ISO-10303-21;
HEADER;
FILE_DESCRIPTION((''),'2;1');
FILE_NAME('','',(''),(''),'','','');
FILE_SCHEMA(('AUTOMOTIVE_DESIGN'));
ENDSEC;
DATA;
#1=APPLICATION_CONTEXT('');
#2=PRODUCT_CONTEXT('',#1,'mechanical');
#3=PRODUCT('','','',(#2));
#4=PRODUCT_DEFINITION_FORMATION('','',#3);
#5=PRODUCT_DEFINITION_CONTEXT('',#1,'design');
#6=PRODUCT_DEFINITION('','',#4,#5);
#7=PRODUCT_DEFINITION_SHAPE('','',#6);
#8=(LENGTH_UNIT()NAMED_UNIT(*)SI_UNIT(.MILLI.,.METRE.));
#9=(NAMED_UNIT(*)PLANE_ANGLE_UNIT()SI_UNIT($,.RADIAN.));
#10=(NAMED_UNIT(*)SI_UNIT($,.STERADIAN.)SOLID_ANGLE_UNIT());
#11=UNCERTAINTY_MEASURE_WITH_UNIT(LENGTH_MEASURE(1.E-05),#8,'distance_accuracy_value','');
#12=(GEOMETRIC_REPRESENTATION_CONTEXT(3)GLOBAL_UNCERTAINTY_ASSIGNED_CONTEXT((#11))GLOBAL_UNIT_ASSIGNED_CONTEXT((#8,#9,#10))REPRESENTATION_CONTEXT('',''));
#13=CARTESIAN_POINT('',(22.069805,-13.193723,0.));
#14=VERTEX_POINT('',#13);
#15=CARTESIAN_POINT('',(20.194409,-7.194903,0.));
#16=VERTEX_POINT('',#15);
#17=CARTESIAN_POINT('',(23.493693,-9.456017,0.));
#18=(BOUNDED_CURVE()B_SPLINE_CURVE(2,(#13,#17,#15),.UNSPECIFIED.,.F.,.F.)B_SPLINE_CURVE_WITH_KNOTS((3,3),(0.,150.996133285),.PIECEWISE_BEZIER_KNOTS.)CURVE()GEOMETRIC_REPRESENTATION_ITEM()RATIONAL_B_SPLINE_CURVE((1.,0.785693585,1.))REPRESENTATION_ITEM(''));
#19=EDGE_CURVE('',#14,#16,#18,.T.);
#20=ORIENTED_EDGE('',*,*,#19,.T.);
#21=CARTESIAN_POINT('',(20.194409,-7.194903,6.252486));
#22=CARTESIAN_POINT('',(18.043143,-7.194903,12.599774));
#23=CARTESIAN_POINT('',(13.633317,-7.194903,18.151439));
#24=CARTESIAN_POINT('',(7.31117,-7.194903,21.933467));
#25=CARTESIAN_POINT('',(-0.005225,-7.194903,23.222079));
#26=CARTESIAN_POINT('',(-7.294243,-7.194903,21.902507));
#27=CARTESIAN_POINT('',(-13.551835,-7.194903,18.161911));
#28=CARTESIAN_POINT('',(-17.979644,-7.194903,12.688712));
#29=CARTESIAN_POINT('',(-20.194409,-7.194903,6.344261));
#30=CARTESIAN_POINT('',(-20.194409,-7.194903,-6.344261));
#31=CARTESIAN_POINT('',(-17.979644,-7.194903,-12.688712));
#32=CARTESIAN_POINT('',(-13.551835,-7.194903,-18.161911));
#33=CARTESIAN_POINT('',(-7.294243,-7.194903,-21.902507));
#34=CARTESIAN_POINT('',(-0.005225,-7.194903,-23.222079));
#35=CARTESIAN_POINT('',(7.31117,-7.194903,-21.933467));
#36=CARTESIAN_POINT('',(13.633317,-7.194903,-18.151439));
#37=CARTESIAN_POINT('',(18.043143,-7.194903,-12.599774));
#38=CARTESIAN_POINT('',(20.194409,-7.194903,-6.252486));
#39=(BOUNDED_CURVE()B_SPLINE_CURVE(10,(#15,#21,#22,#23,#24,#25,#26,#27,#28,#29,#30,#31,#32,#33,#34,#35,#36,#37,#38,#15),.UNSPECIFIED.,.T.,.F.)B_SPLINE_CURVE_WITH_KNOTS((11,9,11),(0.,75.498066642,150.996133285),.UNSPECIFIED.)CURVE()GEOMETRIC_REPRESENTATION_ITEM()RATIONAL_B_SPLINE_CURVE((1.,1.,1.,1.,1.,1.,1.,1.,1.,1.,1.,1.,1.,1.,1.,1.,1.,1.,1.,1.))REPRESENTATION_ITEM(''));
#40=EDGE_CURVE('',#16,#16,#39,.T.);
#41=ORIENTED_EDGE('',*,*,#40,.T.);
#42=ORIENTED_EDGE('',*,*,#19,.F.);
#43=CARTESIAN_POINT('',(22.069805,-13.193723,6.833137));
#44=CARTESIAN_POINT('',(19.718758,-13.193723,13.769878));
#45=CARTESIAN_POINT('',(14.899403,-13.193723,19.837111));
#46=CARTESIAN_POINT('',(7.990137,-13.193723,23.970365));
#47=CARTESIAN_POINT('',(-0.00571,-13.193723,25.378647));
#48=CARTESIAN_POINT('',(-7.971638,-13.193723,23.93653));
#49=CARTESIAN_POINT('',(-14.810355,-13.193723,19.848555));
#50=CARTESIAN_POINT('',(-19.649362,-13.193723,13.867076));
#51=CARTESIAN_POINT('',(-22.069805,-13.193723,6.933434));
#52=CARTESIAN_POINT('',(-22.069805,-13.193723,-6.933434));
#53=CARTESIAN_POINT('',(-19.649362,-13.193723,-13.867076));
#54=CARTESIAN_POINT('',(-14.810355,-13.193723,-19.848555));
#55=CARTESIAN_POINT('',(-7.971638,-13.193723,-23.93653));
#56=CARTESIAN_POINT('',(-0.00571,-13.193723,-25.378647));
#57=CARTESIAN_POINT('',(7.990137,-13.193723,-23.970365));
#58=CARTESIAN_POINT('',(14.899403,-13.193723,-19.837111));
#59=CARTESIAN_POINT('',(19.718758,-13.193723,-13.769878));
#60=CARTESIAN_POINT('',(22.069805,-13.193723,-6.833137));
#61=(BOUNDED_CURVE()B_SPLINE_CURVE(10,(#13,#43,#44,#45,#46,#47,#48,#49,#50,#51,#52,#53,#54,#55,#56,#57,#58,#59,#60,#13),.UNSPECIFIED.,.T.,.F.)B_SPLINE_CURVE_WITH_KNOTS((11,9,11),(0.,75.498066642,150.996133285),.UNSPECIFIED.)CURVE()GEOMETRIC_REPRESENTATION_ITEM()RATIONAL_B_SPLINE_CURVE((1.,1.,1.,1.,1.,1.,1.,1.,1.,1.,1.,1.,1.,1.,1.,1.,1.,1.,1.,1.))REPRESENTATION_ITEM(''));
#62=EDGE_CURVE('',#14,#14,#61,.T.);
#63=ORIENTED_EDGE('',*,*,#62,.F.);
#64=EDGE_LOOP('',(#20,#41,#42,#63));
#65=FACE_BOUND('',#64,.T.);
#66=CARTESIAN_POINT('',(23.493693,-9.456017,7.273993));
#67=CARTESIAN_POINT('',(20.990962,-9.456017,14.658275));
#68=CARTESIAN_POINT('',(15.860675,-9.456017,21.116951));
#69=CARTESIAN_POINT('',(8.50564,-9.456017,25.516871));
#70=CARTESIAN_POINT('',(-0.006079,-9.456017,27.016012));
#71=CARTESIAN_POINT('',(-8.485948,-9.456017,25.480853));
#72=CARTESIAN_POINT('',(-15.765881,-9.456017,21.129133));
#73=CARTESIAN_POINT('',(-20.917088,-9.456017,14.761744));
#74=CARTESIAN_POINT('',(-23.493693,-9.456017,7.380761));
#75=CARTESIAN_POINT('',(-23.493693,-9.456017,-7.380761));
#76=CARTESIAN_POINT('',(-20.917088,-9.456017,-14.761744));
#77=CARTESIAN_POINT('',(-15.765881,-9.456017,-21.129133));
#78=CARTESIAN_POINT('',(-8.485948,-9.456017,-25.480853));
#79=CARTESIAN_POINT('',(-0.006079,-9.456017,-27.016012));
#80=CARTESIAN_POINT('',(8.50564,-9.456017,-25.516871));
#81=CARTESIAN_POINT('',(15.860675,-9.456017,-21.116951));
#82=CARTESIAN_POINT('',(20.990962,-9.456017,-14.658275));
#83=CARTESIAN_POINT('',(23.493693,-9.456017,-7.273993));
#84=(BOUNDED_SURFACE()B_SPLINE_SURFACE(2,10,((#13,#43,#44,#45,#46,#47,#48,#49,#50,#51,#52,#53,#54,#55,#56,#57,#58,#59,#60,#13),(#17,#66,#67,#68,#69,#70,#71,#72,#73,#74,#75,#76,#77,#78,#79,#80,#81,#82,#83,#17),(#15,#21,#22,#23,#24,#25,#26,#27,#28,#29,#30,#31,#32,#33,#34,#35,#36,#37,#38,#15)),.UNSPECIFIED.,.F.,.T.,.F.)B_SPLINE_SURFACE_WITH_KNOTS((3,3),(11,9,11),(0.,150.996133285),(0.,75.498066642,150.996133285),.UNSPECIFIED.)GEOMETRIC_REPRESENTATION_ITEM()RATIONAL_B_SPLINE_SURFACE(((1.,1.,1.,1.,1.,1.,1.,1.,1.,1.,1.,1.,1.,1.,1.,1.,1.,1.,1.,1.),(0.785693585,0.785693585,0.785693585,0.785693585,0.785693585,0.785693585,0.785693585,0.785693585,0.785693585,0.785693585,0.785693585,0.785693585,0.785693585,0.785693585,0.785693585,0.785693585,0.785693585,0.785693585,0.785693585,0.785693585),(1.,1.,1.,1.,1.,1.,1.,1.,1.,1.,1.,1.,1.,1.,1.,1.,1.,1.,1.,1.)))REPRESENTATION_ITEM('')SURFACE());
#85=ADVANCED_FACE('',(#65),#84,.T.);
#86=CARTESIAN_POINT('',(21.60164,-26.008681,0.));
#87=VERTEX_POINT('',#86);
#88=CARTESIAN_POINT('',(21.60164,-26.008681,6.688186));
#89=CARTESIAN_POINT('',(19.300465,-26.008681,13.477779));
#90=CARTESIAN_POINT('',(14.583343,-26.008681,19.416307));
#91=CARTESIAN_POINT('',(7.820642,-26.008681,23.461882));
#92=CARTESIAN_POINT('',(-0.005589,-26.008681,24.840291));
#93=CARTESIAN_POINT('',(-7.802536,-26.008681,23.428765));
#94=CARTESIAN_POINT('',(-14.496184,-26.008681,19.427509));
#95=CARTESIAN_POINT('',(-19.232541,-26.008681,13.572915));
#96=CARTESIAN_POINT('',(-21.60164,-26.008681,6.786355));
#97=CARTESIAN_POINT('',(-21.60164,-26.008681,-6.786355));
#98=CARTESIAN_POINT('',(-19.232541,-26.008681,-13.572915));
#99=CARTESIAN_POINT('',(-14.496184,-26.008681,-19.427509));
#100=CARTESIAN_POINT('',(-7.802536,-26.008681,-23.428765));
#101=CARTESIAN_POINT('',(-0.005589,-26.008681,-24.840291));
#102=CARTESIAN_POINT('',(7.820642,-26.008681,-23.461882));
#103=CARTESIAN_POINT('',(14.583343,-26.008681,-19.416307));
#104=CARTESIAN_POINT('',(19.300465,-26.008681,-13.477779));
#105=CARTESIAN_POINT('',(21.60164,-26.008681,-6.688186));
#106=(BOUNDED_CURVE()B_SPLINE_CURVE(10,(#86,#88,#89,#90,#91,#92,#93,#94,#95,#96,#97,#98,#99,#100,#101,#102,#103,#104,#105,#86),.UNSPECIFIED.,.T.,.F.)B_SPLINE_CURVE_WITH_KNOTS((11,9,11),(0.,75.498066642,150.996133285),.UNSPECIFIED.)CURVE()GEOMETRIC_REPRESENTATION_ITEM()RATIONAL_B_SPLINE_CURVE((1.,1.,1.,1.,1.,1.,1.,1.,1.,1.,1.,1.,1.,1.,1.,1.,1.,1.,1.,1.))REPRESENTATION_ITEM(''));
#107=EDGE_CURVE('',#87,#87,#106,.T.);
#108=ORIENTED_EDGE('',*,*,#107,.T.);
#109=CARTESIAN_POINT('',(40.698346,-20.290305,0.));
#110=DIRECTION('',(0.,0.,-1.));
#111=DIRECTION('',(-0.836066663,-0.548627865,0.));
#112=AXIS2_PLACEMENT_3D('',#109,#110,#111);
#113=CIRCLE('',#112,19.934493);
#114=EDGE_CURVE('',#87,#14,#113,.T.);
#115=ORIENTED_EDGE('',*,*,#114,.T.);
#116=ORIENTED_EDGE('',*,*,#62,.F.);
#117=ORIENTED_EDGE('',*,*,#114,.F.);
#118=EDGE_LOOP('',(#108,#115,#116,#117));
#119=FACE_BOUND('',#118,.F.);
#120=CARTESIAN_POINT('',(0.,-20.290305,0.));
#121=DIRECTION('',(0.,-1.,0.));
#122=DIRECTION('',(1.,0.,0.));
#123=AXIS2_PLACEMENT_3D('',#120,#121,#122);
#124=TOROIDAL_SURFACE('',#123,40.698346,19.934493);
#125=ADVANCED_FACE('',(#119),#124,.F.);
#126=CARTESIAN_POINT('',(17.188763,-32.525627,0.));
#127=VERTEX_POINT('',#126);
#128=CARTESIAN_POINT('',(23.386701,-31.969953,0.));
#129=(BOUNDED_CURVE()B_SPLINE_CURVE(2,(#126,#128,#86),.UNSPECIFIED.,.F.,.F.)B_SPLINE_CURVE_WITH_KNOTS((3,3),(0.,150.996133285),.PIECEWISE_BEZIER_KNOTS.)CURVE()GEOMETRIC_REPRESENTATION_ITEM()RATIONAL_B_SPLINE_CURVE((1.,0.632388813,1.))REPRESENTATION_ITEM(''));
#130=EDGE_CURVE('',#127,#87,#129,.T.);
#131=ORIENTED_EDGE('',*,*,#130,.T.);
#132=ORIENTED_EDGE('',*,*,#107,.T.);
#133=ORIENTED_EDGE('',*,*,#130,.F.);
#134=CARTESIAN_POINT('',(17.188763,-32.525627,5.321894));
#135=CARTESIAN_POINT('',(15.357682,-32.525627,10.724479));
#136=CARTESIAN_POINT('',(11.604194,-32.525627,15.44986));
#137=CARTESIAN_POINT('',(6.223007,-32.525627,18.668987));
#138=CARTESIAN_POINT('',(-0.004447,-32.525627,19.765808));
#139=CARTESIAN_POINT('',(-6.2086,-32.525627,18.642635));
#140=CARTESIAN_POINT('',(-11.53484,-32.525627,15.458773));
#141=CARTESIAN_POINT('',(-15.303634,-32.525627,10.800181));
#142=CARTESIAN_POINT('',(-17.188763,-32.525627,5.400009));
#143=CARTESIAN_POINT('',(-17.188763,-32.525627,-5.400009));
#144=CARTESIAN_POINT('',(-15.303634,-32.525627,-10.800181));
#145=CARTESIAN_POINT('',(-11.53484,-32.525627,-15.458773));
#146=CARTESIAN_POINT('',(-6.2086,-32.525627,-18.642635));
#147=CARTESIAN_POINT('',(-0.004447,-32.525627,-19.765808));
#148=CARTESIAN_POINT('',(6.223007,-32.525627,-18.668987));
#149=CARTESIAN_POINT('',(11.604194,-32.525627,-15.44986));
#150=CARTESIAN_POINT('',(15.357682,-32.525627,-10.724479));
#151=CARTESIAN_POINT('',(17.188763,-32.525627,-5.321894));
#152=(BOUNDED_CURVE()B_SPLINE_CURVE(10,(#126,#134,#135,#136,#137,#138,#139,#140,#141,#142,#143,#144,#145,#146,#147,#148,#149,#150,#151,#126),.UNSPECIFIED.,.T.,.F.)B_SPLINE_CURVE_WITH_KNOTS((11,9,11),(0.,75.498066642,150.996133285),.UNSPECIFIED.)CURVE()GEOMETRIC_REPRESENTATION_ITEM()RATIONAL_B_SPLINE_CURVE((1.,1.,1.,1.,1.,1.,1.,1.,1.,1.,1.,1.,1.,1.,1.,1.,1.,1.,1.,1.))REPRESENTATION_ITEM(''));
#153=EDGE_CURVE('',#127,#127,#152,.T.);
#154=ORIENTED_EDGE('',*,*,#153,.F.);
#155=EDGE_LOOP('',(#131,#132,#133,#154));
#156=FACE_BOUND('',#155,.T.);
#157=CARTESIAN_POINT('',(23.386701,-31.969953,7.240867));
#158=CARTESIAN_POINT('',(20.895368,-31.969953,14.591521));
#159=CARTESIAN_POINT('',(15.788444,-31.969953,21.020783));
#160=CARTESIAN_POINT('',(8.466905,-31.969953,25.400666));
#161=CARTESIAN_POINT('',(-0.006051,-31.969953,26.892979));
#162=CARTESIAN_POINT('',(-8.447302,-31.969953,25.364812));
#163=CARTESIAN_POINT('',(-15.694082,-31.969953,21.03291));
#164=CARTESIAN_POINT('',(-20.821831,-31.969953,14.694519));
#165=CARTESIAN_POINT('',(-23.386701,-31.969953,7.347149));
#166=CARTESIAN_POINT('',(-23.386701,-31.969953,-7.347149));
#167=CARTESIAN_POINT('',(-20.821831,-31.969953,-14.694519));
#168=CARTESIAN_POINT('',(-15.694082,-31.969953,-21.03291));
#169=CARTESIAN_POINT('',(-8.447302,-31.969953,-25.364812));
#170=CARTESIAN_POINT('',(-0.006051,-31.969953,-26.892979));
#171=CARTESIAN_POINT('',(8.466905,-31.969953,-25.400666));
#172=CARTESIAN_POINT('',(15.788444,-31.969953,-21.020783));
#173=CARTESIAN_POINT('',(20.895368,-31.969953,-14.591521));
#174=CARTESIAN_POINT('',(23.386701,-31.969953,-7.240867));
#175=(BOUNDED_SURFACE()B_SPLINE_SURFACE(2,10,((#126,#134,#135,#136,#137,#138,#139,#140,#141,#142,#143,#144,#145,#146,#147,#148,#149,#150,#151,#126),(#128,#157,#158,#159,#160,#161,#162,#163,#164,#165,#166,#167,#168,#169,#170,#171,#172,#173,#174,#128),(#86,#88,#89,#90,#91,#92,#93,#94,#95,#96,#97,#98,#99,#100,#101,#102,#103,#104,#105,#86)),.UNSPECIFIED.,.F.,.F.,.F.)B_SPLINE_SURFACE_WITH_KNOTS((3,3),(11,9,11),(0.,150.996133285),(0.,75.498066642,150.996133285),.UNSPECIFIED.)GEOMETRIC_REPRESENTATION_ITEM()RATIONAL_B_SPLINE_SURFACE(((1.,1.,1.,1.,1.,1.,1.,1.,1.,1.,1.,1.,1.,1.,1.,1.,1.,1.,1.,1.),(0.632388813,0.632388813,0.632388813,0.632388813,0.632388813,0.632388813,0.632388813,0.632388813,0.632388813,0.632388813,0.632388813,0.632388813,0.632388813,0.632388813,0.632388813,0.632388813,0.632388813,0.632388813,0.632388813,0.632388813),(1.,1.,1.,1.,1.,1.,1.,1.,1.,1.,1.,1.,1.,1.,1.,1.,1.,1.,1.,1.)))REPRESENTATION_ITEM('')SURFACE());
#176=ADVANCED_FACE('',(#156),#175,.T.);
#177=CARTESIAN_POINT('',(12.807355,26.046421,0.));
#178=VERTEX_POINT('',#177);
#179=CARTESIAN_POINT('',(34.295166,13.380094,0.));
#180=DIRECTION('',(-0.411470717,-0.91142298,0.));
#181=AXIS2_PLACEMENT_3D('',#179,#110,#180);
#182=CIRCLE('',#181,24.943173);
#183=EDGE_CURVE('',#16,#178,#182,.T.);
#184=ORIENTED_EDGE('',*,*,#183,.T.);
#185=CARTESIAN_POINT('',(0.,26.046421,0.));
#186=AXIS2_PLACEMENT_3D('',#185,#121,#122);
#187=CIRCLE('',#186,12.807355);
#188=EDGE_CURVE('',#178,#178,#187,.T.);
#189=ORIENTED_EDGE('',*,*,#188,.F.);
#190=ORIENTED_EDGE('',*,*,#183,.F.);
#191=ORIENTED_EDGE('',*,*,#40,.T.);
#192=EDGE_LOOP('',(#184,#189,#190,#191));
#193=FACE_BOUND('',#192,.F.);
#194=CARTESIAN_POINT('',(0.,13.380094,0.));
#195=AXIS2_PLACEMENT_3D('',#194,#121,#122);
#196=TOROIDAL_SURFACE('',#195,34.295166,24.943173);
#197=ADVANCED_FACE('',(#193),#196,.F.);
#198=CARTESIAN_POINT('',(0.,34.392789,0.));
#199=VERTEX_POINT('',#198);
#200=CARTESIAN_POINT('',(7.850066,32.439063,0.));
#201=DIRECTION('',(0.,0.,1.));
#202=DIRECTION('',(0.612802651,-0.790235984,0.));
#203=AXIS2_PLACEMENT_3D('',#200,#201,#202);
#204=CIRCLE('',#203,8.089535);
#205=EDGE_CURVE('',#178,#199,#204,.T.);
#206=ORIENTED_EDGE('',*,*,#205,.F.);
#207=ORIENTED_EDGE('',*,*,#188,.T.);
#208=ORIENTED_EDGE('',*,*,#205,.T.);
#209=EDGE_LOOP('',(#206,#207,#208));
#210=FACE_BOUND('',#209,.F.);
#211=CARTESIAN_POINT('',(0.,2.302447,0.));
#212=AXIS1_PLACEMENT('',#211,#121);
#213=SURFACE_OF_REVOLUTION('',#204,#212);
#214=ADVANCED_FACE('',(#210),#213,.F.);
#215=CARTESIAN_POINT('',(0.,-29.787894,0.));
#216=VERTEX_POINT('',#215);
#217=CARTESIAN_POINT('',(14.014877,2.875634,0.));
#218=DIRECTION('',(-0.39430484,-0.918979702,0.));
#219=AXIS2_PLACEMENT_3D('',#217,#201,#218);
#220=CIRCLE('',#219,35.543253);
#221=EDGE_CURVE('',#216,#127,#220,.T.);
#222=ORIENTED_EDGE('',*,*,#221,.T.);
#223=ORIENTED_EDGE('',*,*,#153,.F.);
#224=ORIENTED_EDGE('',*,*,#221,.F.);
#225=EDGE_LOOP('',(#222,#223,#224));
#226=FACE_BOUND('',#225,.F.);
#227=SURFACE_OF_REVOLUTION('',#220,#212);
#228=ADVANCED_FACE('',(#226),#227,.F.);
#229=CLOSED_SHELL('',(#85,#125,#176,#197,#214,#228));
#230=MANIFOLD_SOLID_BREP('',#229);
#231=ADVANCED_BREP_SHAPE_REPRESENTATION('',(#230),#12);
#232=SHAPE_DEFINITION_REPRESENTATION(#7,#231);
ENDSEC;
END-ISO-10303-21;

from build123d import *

# Parameters (mm, degrees)
F2_R = 5.08


with BuildPart() as f1:
    # F0 (on Top) → F1 (revolve)
    with BuildSketch(Plane.XY):
        with BuildLine():
            Line((0, 34.392789), (0, -29.787894))
            ThreePointArc((0, -29.787894), (11.890342, -32.604067), (24.031781, -31.226924))
            ThreePointArc((24.031781, -31.226924), (20.763853, -20.290305), (24.031781, -9.353687))
            ThreePointArc((24.031781, -9.353687), (10.51857, 5.841172), (12.807355, 26.046421))
            ThreePointArc((12.807355, 26.046421), (12.266796, 39.216458), (0, 34.392789))
        make_face()
    revolve(axis=Axis((0, 2.302447, 0), (0, -1, 0)))

    # F2
    f2_edges = [f1.edges().sort_by_distance(p)[0] for p in [
        (-24.031781, -31.226924, 0),
        (-24.031781, -9.353687, 0),
        (20.763853, -20.290305, 0),
    ]]
    fillet(f2_edges, radius=F2_R)


solid = f1.part
